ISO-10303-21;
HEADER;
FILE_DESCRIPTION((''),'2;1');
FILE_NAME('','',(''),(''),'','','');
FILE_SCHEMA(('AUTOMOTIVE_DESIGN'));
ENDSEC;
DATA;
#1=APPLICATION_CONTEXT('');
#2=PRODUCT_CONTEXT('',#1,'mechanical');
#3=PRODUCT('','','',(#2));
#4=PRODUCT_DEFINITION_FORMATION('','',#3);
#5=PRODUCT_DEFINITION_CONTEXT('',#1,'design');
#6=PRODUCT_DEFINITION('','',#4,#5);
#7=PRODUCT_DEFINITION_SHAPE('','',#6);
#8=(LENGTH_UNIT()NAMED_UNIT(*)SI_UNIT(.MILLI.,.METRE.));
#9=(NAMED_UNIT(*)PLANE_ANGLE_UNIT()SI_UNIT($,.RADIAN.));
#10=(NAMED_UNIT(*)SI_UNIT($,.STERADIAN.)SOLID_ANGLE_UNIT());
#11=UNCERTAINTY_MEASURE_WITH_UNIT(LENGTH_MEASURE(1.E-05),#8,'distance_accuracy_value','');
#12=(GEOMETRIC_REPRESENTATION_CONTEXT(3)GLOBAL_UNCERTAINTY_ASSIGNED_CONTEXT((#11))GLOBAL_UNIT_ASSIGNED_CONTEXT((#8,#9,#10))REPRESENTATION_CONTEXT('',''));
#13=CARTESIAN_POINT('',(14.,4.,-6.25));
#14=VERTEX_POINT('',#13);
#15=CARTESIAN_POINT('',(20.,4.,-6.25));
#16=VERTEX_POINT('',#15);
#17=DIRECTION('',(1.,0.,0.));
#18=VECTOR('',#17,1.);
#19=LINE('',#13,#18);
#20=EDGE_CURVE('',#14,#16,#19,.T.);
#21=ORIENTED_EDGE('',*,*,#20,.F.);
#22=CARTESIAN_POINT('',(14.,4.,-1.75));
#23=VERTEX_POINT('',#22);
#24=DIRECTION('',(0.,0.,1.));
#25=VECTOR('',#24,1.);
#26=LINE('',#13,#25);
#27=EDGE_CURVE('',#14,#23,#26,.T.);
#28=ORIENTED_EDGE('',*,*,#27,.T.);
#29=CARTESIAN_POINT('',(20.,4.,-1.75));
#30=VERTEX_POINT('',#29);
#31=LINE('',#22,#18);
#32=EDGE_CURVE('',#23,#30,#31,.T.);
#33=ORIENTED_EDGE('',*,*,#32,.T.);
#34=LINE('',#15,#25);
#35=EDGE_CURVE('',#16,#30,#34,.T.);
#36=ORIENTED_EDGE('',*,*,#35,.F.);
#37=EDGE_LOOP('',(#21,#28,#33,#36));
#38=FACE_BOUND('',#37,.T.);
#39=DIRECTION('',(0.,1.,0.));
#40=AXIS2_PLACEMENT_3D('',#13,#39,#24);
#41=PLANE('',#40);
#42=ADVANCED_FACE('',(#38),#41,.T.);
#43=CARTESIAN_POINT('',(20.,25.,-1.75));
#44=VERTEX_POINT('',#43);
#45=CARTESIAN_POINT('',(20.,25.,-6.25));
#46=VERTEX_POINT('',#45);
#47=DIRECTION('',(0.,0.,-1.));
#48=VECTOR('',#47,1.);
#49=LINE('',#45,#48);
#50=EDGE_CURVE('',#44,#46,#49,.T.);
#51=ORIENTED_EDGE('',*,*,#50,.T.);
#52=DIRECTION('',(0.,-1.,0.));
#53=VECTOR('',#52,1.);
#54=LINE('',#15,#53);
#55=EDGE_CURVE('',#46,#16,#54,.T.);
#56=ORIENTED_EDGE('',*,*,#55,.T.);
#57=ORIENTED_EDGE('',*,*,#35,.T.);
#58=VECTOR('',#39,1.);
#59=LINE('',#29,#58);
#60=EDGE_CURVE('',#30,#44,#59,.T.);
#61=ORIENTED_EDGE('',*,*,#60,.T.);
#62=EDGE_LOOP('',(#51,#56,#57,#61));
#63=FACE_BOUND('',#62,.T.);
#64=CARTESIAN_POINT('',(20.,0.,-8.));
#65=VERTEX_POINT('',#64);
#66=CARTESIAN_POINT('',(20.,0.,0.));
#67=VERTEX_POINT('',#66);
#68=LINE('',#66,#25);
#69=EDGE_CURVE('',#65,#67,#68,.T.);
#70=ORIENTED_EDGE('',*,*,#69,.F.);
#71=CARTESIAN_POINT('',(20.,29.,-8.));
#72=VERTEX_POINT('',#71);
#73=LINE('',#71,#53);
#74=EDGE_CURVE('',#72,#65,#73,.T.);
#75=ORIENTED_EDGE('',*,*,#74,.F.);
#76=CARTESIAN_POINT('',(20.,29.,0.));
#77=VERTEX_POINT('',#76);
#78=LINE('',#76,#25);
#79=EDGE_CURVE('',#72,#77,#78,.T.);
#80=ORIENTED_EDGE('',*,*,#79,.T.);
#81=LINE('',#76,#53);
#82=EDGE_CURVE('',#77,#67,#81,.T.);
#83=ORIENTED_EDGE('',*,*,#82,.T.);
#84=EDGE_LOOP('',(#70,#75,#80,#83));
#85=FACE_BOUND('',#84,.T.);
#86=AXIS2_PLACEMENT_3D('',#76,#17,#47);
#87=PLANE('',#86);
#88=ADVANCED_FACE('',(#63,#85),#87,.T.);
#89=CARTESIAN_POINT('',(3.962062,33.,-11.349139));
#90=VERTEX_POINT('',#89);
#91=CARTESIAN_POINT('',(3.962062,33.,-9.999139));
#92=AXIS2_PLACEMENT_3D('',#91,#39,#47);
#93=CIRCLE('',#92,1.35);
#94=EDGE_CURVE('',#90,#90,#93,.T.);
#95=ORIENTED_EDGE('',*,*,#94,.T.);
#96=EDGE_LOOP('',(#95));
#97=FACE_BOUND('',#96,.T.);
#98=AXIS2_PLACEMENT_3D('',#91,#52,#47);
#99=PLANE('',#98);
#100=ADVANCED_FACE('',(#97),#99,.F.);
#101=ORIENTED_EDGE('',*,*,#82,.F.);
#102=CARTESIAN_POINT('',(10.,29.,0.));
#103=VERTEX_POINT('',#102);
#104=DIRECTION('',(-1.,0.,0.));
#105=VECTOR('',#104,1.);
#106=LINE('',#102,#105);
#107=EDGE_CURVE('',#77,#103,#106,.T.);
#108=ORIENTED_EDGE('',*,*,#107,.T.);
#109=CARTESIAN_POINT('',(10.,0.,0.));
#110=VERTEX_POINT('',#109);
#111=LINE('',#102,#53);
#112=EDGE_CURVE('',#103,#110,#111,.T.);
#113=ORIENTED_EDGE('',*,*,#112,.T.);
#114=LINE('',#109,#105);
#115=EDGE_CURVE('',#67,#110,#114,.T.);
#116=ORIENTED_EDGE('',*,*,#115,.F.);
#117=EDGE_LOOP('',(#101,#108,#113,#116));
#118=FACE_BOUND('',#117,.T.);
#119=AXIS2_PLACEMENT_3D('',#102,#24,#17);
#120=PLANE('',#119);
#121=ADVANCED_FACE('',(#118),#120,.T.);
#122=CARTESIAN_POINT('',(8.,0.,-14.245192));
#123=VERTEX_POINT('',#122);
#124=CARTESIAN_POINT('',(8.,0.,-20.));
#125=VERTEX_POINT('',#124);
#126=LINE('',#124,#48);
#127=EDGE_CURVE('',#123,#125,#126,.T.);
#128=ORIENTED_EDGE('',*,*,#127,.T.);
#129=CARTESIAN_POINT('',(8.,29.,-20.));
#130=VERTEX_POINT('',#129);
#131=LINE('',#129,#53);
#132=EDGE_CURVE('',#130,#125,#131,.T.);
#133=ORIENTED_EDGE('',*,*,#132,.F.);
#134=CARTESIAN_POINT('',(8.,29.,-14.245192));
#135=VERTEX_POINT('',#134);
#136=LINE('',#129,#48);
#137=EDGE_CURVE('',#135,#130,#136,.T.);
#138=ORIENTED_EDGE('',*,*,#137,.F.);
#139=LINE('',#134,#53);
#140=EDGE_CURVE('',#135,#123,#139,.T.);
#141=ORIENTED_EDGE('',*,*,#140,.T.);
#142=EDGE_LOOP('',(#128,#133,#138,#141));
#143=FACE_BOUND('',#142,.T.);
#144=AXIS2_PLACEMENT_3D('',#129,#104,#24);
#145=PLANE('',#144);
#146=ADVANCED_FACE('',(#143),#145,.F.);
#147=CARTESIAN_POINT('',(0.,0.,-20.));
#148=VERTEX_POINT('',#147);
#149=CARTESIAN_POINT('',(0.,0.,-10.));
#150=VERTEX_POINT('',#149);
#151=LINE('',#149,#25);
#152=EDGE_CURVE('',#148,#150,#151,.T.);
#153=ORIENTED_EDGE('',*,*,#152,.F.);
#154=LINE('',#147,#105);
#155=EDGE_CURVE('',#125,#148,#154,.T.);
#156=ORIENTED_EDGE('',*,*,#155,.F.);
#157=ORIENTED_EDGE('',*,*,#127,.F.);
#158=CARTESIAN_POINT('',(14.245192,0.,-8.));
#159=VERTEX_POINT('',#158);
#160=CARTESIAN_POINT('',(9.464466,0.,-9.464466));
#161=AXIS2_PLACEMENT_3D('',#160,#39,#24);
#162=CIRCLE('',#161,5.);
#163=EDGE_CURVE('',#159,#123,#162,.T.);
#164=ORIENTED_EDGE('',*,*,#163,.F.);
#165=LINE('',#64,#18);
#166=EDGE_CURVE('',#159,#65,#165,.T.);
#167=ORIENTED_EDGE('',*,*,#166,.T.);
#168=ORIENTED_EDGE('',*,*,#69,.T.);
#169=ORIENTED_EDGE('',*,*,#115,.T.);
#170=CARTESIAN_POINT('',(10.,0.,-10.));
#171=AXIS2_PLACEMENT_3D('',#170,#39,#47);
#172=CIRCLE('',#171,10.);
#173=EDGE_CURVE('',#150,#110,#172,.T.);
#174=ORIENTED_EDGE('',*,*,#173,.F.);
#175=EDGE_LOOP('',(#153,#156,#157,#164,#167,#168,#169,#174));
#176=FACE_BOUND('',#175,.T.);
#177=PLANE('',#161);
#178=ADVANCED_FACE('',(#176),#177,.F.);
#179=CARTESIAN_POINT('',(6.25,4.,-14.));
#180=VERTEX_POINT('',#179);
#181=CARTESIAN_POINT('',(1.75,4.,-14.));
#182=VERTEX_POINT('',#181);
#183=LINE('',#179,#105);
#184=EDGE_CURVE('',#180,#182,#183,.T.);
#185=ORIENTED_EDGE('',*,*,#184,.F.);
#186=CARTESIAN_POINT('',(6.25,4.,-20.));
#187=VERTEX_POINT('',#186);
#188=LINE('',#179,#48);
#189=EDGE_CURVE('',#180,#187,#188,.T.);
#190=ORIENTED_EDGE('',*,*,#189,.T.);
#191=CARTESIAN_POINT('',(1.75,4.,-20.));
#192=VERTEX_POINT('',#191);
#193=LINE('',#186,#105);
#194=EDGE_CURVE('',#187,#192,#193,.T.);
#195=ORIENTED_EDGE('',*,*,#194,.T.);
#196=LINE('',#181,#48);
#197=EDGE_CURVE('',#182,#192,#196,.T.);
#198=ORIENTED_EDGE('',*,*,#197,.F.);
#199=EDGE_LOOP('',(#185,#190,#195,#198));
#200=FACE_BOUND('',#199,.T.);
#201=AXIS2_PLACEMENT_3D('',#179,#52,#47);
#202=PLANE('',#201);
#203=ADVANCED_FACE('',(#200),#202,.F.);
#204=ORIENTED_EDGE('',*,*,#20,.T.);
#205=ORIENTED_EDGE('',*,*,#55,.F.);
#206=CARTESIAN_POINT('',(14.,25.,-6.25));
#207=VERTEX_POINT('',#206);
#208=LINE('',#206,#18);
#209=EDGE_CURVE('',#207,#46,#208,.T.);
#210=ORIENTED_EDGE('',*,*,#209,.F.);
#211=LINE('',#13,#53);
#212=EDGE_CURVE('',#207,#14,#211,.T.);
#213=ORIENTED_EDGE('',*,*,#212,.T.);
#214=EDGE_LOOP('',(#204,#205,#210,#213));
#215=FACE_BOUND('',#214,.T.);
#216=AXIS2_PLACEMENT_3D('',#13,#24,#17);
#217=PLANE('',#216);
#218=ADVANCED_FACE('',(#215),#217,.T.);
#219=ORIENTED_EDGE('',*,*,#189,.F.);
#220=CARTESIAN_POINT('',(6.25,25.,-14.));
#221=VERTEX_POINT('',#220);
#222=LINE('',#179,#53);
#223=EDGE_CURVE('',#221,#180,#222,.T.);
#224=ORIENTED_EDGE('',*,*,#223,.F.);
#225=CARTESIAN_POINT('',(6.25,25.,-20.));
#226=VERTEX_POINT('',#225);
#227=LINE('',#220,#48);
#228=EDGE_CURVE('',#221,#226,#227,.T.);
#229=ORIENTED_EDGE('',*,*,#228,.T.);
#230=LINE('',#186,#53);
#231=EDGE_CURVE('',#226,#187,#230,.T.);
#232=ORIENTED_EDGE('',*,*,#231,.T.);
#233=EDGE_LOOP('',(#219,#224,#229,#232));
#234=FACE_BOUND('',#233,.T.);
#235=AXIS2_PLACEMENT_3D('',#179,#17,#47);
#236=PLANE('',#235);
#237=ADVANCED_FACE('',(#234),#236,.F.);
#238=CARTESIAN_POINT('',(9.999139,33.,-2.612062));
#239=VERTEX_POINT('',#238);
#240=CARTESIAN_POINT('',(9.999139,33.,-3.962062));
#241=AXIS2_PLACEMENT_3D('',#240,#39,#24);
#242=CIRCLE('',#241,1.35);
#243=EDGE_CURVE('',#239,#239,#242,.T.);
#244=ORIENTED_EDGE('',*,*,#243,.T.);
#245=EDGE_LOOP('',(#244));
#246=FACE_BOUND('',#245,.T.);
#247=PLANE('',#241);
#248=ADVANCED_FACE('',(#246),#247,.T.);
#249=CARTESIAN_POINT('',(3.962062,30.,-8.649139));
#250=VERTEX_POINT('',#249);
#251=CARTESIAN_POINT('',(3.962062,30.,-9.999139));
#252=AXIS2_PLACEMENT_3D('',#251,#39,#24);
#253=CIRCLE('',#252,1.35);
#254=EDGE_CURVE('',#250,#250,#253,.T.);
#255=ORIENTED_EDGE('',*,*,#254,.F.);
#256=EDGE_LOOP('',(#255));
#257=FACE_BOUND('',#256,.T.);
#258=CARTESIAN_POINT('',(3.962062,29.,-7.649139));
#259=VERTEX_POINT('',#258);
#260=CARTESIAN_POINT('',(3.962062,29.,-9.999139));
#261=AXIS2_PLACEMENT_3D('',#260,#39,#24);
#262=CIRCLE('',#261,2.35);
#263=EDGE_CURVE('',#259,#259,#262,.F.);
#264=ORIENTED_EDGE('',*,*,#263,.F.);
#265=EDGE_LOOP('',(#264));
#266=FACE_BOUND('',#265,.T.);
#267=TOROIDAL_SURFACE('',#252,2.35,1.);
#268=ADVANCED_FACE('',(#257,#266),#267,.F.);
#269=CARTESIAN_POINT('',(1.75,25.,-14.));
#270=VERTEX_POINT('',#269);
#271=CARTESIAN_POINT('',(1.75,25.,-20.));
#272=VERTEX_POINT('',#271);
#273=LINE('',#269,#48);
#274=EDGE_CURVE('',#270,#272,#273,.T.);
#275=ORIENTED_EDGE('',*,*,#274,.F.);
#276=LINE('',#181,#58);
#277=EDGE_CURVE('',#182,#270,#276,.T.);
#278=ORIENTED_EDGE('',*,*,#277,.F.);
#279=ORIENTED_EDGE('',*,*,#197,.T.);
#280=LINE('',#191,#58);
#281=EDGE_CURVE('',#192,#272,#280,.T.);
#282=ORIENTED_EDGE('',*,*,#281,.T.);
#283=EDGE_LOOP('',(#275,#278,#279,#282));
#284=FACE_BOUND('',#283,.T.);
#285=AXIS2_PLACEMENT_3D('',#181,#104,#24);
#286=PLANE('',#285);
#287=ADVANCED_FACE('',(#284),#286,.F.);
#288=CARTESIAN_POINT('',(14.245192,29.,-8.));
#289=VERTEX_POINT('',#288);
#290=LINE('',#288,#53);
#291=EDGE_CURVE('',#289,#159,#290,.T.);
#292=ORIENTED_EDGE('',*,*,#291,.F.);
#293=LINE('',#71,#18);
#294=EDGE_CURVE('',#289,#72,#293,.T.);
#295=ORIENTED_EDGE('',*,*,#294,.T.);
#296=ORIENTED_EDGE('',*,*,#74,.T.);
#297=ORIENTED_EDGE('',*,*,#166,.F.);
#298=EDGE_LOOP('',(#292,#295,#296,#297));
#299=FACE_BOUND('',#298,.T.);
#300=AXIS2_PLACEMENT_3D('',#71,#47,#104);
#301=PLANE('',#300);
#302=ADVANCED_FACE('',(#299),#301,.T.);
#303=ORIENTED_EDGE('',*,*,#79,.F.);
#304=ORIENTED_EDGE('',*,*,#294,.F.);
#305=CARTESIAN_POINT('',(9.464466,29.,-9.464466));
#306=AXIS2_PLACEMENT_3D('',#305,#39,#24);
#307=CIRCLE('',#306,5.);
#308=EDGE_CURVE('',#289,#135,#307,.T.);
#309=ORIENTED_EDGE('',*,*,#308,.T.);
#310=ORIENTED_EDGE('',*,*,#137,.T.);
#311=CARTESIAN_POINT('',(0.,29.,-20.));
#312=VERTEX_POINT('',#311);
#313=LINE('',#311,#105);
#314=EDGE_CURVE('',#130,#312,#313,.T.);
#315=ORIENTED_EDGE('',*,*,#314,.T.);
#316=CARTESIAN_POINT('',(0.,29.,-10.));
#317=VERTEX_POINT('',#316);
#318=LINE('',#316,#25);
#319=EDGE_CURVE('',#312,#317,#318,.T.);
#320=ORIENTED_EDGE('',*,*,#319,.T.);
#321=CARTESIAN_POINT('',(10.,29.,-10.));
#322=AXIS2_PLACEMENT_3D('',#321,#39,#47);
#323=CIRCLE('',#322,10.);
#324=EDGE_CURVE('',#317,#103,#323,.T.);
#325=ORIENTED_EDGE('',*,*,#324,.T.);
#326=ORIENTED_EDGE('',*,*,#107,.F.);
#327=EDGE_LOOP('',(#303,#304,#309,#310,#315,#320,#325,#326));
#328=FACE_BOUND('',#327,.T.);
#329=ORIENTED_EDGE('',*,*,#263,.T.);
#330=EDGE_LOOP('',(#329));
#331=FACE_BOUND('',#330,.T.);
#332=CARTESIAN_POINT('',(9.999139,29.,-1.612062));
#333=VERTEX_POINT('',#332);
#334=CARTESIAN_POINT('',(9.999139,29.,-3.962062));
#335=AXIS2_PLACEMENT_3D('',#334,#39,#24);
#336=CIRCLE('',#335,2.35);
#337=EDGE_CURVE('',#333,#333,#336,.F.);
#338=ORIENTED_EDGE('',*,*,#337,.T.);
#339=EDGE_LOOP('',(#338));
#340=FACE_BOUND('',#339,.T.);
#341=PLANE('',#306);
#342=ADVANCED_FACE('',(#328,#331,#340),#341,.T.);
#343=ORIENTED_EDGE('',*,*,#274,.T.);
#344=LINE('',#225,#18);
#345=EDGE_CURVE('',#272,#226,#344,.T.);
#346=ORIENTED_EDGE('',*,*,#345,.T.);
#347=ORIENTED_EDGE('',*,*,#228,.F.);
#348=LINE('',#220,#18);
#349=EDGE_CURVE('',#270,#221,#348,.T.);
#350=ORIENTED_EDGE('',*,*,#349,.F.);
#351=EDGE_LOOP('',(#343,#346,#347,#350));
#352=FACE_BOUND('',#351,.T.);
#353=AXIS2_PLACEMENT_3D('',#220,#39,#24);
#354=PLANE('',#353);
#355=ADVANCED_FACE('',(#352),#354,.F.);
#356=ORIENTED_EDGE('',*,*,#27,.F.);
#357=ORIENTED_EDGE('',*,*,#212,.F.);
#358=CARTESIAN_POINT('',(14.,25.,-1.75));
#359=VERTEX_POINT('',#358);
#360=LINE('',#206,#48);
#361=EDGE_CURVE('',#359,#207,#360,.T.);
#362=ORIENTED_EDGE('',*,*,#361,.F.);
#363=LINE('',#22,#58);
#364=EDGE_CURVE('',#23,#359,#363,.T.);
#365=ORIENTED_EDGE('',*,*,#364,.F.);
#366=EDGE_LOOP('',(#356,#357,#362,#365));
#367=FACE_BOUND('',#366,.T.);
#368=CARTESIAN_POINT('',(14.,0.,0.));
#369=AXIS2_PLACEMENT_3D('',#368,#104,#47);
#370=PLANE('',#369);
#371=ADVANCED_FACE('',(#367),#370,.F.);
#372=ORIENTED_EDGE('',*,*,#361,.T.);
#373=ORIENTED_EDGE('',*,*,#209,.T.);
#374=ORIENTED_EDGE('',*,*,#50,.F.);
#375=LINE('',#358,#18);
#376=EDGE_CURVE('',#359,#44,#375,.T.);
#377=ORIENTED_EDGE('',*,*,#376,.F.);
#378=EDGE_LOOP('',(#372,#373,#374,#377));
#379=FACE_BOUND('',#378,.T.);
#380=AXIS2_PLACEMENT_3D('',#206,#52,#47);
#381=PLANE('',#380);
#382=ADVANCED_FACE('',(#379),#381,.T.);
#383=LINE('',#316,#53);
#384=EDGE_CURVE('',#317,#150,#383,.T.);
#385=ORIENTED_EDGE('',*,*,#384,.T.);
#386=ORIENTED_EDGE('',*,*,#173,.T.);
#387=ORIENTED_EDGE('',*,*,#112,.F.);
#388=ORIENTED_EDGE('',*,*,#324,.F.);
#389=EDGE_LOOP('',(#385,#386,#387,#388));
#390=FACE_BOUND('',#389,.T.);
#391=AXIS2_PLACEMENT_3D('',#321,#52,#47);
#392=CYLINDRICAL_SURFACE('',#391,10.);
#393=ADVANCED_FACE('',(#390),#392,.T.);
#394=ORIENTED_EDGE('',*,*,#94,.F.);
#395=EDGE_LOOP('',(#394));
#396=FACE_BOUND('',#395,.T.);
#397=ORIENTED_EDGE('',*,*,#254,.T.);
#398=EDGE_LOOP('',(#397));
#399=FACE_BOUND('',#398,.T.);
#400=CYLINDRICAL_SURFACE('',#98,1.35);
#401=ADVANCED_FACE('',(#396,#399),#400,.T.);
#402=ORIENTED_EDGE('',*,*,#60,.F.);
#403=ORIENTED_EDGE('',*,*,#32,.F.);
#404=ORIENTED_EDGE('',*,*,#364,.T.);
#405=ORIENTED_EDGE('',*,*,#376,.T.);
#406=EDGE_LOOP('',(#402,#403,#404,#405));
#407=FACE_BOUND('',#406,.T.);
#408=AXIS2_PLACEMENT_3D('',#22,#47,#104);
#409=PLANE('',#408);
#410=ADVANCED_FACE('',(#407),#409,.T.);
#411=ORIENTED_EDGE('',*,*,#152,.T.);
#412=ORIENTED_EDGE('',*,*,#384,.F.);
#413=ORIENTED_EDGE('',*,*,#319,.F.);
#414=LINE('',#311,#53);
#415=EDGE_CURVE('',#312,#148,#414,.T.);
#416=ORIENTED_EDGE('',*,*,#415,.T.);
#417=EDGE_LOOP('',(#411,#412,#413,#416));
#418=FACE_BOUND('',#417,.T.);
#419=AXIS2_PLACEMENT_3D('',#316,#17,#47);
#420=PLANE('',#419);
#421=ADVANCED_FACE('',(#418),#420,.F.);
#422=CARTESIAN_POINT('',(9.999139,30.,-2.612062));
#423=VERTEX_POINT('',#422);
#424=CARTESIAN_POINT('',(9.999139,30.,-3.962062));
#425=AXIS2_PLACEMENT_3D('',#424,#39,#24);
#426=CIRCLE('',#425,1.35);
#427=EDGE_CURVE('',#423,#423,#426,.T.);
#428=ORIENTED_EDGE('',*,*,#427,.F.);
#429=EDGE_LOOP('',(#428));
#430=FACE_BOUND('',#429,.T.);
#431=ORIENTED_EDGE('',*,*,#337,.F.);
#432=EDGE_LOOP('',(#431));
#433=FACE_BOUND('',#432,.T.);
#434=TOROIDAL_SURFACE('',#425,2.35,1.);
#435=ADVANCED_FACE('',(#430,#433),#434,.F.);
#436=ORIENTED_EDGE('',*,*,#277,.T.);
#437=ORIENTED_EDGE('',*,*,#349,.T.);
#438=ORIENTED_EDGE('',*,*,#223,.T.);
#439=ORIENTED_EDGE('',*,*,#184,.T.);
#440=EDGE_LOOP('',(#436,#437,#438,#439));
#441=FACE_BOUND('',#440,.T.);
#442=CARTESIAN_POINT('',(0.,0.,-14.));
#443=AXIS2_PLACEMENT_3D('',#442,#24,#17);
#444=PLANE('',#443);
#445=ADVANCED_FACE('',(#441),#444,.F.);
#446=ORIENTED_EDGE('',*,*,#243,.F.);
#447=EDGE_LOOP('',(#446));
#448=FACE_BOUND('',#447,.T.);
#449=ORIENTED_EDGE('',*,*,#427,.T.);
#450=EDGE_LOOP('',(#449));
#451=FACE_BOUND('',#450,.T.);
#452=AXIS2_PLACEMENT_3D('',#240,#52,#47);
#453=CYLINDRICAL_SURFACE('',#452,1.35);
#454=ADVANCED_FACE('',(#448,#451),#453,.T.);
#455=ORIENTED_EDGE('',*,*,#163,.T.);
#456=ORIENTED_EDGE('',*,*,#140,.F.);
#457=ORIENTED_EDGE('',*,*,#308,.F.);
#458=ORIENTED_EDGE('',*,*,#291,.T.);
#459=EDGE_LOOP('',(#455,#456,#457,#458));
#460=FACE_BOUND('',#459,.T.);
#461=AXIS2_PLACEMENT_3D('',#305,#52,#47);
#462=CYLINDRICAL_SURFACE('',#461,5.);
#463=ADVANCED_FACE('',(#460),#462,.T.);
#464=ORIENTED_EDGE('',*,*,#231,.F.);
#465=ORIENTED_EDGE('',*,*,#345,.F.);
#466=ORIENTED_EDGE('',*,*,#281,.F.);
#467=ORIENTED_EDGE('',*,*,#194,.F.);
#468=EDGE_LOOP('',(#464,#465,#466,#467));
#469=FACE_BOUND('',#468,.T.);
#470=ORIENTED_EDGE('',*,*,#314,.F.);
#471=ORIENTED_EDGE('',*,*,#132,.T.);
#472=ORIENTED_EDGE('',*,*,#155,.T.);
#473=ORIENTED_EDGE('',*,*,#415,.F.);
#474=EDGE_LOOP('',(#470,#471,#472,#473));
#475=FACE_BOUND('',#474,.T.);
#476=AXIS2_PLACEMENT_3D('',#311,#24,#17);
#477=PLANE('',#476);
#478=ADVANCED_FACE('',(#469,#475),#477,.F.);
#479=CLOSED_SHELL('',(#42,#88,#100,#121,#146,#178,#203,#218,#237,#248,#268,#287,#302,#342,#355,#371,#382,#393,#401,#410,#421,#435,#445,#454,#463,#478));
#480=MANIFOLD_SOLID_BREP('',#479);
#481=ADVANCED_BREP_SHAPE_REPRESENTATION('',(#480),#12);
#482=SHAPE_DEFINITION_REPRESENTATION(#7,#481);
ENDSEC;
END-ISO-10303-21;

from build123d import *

# Parameters (mm, degrees)
BOSS_EXTRUDE1_DEPTH = 29
SKETCH3_W           = 4.5
SKETCH3_H           = 21
CUT_EXTRUDE1_DEPTH  = 6
SKETCH5_R           = 1.35
BOSS_EXTRUDE2_DEPTH = 4
FILLET1_R           = 1


with BuildPart() as part:
    # Sketch2 → Boss-Extrude1 (new body)
    with BuildSketch(Plane(origin=(0, 0, 0), x_dir=(1, 0, 0), z_dir=(0, 1, 0))):
        with BuildLine():
            Line((0, 10), (0, 20))
            Line((0, 20), (8, 20))
            Line((8, 20), (8, 14.245191882))
            ThreePointArc((8, 14.245191882), (10.672752557, 14.316274399), (13, 13))
            Line((13, 13), (9.464466094, 9.464466094))
            Line((9.464466094, 9.464466094), (2.928932188, 2.928932188))
            ThreePointArc((2.928932188, 2.928932188), (0.761204675, 6.173165676), (0, 10))
        make_face()
    boss_extrude1 = extrude(amount=BOSS_EXTRUDE1_DEPTH)

    # Mirror1: Boss-Extrude1 across plane
    add(boss_extrude1.mirror(Plane(origin=(0, 0, 0), x_dir=(-0.707106781186546, 0, 0.707106781186549), z_dir=(0.707106781186549, 0, 0.707106781186546))))

    # Sketch3 → Cut-Extrude1 (cut)
    with BuildSketch(Plane(origin=(0, 0, -20), x_dir=(-1, 0, 0), z_dir=(0, 0, -1))):
        with Locations((-4, 14.5)):
            Rectangle(SKETCH3_W, SKETCH3_H)
    cut_extrude1 = extrude(amount=-CUT_EXTRUDE1_DEPTH, mode=Mode.SUBTRACT)

    # Mirror2: Cut-Extrude1 across plane
    add(cut_extrude1.mirror(Plane(origin=(0, 0, 0), x_dir=(-0.707106781186546, 0, 0.707106781186549), z_dir=(0.707106781186549, 0, 0.707106781186546))), mode=Mode.SUBTRACT)

    # Sketch5 → Boss-Extrude2 (add)
    with BuildSketch(Plane(origin=(0, 29, 0), x_dir=(1, 0, 0), z_dir=(0, 1, 0))):
        with Locations(Location((9.999139198, 3.962062278, 0), (0, 0, 270))):
            Circle(SKETCH5_R)
        with Locations(Location((3.962062278, 9.999139198, 0), (0, 0, 90))):
            Circle(SKETCH5_R)
    extrude(amount=BOSS_EXTRUDE2_DEPTH)

    # Fillet1
    fillet1_edges = [part.edges().sort_by_distance(p)[0] for p in [
        (9.999139198, 29, -5.312062278),
        (3.962062278, 29, -8.649139198),
    ]]
    fillet(fillet1_edges, radius=FILLET1_R)


solid = part.part
